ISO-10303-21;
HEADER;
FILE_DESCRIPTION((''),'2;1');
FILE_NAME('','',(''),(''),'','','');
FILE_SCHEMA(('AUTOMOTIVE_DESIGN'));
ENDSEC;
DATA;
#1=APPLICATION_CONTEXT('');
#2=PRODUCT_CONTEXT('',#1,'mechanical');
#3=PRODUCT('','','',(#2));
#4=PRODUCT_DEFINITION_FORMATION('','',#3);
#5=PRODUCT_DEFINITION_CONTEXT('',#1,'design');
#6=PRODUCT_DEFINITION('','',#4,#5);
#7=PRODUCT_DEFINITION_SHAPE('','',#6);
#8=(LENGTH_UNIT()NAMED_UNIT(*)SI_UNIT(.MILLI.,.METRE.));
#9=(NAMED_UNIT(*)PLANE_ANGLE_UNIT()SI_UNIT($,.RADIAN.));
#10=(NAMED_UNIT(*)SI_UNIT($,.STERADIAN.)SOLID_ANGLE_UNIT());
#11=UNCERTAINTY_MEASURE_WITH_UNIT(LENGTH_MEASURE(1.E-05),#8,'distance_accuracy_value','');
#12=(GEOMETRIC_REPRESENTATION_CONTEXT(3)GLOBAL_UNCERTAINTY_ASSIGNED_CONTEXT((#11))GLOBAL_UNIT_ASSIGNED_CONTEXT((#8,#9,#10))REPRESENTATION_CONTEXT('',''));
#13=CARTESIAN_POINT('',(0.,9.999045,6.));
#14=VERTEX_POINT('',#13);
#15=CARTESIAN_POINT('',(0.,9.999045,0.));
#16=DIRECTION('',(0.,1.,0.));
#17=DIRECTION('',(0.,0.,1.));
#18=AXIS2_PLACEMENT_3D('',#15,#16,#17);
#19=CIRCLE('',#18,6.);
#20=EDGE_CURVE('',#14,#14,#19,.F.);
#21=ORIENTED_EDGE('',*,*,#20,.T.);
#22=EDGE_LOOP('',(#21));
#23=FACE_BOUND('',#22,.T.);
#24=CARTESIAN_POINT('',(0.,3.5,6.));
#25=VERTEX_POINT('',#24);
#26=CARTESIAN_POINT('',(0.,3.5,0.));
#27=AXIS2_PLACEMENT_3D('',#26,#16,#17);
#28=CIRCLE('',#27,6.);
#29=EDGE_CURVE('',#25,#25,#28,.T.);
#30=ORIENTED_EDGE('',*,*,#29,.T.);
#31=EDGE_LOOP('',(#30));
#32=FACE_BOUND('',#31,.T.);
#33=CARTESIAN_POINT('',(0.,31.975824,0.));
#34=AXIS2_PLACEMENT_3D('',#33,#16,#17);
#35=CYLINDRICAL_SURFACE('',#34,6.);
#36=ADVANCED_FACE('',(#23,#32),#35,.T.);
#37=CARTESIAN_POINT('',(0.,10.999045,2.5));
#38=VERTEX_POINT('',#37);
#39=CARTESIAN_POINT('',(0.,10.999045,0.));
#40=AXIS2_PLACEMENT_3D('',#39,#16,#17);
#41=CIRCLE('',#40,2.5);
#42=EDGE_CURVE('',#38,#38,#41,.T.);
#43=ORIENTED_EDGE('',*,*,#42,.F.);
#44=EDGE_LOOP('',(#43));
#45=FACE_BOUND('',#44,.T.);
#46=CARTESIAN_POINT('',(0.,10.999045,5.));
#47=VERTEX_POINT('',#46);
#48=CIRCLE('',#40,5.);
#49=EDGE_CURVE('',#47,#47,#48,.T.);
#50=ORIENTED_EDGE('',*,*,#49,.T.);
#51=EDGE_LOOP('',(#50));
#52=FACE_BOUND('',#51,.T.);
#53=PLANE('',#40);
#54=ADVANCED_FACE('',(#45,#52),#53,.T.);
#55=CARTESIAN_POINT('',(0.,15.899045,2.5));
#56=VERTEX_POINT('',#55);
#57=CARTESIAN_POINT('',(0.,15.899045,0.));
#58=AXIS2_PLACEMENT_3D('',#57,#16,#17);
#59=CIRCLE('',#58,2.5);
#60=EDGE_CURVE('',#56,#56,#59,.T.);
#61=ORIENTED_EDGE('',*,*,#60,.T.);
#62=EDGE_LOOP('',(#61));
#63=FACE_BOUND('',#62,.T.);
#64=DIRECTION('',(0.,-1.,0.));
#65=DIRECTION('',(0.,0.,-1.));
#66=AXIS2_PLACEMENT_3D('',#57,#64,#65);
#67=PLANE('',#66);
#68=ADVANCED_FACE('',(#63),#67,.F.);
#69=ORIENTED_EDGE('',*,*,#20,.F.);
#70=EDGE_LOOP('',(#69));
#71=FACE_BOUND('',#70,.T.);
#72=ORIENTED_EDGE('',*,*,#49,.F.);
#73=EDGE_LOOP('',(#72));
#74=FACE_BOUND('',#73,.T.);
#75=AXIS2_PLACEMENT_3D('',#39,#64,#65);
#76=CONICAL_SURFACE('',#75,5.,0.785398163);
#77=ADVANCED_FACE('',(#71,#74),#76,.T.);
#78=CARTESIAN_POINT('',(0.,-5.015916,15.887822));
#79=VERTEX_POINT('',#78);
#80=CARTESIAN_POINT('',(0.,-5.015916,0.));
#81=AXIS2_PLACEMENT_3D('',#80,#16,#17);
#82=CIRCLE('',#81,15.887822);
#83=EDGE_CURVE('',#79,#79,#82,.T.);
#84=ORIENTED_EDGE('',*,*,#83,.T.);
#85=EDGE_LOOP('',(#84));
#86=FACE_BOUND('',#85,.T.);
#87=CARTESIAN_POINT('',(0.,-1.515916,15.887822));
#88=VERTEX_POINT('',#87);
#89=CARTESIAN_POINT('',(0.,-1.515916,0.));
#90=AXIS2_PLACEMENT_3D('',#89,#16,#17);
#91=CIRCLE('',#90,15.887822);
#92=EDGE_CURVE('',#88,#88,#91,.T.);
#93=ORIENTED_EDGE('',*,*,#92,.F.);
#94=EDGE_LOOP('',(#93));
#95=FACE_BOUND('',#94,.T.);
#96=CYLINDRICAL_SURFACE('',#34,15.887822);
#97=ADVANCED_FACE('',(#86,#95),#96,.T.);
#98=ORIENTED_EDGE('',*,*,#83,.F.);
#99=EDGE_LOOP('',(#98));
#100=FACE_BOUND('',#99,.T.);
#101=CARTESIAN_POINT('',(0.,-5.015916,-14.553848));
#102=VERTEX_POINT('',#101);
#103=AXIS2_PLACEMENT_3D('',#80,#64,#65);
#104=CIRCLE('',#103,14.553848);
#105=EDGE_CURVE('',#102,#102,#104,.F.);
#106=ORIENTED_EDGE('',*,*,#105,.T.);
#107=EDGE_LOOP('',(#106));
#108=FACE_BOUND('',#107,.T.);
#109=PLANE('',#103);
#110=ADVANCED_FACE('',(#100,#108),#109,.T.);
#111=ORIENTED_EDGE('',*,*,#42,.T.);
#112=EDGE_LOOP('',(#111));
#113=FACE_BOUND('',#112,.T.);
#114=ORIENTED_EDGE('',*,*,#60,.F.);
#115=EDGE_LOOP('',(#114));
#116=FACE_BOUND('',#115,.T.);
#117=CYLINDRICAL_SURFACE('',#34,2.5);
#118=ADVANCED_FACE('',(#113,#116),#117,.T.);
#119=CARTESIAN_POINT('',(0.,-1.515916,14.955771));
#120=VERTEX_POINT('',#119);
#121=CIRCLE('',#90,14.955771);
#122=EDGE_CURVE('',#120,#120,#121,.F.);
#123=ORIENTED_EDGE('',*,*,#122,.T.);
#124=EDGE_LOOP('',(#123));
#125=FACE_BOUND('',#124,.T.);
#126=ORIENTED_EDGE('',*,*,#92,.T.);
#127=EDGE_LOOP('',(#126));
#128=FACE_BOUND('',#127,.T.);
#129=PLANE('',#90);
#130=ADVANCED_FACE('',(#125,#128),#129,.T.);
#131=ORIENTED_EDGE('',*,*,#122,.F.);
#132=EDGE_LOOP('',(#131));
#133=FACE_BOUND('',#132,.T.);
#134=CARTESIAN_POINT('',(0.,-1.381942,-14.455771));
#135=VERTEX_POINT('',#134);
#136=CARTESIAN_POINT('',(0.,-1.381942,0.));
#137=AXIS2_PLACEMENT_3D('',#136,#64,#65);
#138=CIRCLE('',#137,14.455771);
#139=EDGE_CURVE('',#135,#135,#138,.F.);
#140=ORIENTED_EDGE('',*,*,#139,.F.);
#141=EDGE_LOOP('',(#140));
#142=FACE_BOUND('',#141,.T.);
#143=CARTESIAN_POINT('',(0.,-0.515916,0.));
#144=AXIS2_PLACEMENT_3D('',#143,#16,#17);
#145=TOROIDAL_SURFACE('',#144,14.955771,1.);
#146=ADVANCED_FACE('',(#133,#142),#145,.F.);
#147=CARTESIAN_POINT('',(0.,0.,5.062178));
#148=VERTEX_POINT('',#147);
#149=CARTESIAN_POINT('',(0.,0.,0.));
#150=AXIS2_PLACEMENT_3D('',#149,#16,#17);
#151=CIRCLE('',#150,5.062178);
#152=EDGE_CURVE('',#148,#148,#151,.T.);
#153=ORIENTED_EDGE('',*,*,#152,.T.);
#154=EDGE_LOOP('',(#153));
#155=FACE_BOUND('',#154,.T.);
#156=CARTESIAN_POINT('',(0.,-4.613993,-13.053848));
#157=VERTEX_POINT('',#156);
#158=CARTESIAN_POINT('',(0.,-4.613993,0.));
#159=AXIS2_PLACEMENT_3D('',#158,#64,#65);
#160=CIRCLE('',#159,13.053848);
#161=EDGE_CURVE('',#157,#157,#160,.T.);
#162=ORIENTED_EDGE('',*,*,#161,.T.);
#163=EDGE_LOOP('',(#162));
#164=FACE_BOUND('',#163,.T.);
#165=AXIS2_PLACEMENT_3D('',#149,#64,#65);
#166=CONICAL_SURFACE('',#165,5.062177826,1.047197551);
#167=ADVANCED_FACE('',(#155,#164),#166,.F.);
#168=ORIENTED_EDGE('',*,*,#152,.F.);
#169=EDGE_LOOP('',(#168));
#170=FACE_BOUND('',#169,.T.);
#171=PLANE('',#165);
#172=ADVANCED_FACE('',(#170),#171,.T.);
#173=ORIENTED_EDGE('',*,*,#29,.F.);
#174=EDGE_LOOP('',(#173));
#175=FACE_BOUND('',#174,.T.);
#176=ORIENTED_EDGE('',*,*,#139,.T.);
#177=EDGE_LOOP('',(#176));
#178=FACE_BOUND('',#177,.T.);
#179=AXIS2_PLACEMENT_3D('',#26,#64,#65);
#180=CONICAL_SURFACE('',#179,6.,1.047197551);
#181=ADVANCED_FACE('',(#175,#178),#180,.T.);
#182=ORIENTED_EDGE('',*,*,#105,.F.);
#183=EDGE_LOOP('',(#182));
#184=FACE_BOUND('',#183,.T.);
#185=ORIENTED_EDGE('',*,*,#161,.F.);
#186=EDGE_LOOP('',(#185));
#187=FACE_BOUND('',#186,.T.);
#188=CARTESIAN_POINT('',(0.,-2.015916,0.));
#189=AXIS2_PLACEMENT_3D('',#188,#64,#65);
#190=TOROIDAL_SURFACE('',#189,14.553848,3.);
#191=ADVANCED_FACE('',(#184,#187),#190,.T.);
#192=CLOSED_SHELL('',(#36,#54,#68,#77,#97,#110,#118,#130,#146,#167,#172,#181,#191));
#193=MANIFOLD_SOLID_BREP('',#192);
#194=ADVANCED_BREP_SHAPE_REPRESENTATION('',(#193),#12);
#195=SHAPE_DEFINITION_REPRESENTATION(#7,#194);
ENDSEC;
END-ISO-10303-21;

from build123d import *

# Parameters (mm, degrees)
FILLET1_R     = 3
CHAMFER1_SIZE = 1
FILLET2_R     = 1


with BuildPart() as part:
    # Sketch1 → Revolve1 (revolve)
    with BuildSketch(Plane.XY, mode=Mode.PRIVATE) as revolve1_sk:
        Polygon((6, 10.999045222), (2.5, 10.999045222), (2.5, 15.899045222), (0, 15.899045222), (0, 3.5), (0, 0), (5.062177826, 0), (13.75, -5.015916471), (15.887822174, -5.015916471), (15.887822174, -1.515916471), (14.687822174, -1.515916471), (6, 3.5), align=None)
    revolve(revolve1_sk.sketch.rotate(Axis((0, 31.975823544, 0), (0, -1, 0)), 90), axis=Axis((0, 31.975823544, 0), (0, -1, 0)))

    # Fillet1
    fillet1_edges = [part.edges().sort_by_distance(p)[0] for p in [
        (0, -5.015916471, -13.75),
    ]]
    fillet(fillet1_edges, radius=FILLET1_R)

    # Chamfer1
    chamfer1_edges = [part.edges().sort_by_distance(p)[0] for p in [
        (0, 10.999045222, -6),
    ]]
    chamfer(chamfer1_edges, length=CHAMFER1_SIZE)

    # Fillet2
    fillet2_edges = [part.edges().sort_by_distance(p)[0] for p in [
        (0, -1.515916471, -14.687822174),
    ]]
    fillet(fillet2_edges, radius=FILLET2_R)


solid = part.part
